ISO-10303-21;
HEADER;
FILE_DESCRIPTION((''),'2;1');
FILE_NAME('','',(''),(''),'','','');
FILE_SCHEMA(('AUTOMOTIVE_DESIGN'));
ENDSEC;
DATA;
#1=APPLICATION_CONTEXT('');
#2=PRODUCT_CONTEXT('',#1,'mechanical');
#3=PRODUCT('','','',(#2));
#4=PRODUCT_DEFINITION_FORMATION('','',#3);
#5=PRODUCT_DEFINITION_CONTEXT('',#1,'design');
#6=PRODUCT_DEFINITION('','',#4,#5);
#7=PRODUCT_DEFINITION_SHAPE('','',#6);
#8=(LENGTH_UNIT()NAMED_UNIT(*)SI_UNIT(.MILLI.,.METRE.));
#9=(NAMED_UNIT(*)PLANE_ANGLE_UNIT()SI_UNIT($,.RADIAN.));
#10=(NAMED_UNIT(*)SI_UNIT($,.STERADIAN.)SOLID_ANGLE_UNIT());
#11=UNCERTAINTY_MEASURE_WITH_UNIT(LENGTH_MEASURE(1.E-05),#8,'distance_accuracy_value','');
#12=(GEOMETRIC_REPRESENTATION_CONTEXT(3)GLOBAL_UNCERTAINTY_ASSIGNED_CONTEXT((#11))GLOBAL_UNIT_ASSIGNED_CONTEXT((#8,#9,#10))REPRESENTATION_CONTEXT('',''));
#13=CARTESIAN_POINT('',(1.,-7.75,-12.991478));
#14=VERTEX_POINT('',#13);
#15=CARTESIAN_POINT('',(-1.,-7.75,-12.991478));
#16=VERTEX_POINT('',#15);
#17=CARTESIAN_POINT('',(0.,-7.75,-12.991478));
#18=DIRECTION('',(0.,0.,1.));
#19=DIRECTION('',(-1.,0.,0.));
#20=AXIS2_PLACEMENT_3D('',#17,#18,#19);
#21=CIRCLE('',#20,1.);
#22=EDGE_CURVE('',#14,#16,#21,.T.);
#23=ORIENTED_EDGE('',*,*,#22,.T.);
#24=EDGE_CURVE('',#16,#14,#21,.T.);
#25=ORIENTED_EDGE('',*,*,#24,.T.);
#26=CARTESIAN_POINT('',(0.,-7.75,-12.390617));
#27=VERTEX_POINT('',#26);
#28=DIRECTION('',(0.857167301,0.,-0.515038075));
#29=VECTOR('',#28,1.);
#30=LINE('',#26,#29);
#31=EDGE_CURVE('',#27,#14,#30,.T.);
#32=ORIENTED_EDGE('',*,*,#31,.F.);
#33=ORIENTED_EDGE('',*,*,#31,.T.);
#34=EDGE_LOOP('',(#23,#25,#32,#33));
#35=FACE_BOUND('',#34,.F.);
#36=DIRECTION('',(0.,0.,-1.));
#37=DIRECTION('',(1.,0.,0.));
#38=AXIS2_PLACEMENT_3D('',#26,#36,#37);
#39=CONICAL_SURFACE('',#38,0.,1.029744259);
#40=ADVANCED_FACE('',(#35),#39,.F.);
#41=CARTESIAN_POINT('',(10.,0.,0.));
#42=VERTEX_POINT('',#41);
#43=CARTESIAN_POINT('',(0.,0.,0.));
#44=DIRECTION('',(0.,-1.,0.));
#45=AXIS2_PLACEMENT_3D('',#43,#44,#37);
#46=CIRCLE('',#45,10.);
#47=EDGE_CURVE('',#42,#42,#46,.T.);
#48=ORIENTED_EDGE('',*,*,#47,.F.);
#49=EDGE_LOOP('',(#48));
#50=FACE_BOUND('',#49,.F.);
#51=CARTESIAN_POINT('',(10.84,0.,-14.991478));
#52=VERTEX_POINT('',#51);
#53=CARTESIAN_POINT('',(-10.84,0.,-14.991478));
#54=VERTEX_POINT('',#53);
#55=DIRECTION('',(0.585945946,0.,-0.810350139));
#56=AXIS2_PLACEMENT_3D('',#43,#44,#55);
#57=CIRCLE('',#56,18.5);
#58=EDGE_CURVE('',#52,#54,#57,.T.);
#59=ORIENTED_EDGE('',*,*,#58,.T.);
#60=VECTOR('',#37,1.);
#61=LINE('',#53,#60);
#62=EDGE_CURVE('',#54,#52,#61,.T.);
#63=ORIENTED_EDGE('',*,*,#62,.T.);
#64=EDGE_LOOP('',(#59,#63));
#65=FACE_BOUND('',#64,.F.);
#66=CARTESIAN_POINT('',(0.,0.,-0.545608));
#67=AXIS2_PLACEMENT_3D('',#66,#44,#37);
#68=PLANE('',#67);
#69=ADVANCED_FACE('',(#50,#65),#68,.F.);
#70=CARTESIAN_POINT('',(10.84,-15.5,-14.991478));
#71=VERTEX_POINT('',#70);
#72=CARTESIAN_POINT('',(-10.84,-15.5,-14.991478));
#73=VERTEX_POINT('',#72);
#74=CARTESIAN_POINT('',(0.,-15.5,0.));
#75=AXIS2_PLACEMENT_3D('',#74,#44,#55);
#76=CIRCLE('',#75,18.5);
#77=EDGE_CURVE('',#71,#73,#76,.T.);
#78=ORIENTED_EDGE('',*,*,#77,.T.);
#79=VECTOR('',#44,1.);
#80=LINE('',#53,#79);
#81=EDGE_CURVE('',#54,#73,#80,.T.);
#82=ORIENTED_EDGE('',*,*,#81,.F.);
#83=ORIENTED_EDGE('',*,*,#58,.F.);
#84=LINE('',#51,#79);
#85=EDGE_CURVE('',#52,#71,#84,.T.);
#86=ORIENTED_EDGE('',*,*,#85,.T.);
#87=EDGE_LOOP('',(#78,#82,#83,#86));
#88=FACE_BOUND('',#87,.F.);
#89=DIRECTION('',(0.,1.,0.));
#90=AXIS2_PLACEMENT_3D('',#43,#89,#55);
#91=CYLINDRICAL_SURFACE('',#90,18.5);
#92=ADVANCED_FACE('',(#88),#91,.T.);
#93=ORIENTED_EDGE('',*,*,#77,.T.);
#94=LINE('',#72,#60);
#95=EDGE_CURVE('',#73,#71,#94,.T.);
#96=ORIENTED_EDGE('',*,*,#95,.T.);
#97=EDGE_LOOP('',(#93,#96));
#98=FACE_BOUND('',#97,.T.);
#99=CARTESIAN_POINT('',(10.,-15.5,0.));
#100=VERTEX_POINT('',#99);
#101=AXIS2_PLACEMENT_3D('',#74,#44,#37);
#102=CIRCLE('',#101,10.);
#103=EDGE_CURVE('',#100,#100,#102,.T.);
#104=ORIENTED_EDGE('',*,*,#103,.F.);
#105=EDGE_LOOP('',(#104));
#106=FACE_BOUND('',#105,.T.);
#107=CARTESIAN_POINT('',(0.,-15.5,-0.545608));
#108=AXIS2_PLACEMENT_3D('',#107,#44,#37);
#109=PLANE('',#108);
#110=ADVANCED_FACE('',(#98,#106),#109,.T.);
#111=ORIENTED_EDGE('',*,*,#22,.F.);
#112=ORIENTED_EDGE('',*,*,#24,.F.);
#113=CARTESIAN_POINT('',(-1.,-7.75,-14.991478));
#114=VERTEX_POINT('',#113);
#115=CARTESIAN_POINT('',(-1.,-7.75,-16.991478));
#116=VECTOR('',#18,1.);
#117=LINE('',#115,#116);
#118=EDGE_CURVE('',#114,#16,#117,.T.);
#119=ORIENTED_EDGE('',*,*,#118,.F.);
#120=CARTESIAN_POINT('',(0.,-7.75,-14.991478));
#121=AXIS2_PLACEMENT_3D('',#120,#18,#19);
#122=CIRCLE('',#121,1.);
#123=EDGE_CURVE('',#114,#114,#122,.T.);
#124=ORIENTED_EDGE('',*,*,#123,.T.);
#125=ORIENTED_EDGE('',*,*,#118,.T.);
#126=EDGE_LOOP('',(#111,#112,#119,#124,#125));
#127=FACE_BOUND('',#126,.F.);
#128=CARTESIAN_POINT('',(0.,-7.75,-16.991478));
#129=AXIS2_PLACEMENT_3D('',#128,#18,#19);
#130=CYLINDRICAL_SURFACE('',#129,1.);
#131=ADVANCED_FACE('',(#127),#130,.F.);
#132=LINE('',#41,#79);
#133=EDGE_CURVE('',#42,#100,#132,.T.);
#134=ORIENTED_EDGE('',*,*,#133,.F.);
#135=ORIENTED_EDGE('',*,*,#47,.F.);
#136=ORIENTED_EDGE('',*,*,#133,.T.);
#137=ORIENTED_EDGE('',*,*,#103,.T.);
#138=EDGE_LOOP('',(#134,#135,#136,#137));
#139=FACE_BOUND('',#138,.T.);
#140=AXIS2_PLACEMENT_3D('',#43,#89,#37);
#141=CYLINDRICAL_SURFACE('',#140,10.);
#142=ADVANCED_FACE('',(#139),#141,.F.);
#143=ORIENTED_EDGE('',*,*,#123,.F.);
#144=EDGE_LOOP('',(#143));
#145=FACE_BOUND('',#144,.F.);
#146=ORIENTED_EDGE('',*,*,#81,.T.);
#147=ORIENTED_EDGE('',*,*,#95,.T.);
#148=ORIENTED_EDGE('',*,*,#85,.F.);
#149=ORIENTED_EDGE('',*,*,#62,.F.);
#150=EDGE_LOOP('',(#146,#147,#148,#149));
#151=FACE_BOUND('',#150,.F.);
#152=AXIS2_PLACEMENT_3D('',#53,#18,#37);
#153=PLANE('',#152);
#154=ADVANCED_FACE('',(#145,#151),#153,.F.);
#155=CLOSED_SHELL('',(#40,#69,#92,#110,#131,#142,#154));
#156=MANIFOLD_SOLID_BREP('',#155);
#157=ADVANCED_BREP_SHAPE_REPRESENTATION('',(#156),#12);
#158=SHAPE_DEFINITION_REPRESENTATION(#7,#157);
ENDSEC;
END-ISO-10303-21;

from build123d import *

# Parameters (mm, degrees)
F0_R     = 10
F1_DEPTH = 15.5
F3_D     = 2
F3_DEPTH = 2
F3_TIP   = 0.600860619


with BuildPart() as f1:
    # F0 (on Front) → F1 (new body)
    with BuildSketch(Plane.XZ):
        with BuildLine():
            Line((-10.84, -14.9914775789), (10.84, -14.9914775789))
            ThreePointArc((10.84, -14.9914775789), (0, 18.5), (-10.84, -14.9914775789))
        make_face()
        Circle(F0_R, mode=Mode.SUBTRACT)
    extrude(amount=F1_DEPTH)

    # F3
    with Locations(Plane(origin=(0, 0, -14.9914775789), x_dir=(1, 0, 0), z_dir=(0, 0, -1))):
        with Locations((0, 7.75)):
            Hole(F3_D / 2, depth=F3_DEPTH)
            with Locations((0, 0, -(F3_DEPTH + F3_TIP / 2))):  # 118° drill point
                Cone(0, F3_D / 2, F3_TIP, mode=Mode.SUBTRACT)


solid = f1.part
